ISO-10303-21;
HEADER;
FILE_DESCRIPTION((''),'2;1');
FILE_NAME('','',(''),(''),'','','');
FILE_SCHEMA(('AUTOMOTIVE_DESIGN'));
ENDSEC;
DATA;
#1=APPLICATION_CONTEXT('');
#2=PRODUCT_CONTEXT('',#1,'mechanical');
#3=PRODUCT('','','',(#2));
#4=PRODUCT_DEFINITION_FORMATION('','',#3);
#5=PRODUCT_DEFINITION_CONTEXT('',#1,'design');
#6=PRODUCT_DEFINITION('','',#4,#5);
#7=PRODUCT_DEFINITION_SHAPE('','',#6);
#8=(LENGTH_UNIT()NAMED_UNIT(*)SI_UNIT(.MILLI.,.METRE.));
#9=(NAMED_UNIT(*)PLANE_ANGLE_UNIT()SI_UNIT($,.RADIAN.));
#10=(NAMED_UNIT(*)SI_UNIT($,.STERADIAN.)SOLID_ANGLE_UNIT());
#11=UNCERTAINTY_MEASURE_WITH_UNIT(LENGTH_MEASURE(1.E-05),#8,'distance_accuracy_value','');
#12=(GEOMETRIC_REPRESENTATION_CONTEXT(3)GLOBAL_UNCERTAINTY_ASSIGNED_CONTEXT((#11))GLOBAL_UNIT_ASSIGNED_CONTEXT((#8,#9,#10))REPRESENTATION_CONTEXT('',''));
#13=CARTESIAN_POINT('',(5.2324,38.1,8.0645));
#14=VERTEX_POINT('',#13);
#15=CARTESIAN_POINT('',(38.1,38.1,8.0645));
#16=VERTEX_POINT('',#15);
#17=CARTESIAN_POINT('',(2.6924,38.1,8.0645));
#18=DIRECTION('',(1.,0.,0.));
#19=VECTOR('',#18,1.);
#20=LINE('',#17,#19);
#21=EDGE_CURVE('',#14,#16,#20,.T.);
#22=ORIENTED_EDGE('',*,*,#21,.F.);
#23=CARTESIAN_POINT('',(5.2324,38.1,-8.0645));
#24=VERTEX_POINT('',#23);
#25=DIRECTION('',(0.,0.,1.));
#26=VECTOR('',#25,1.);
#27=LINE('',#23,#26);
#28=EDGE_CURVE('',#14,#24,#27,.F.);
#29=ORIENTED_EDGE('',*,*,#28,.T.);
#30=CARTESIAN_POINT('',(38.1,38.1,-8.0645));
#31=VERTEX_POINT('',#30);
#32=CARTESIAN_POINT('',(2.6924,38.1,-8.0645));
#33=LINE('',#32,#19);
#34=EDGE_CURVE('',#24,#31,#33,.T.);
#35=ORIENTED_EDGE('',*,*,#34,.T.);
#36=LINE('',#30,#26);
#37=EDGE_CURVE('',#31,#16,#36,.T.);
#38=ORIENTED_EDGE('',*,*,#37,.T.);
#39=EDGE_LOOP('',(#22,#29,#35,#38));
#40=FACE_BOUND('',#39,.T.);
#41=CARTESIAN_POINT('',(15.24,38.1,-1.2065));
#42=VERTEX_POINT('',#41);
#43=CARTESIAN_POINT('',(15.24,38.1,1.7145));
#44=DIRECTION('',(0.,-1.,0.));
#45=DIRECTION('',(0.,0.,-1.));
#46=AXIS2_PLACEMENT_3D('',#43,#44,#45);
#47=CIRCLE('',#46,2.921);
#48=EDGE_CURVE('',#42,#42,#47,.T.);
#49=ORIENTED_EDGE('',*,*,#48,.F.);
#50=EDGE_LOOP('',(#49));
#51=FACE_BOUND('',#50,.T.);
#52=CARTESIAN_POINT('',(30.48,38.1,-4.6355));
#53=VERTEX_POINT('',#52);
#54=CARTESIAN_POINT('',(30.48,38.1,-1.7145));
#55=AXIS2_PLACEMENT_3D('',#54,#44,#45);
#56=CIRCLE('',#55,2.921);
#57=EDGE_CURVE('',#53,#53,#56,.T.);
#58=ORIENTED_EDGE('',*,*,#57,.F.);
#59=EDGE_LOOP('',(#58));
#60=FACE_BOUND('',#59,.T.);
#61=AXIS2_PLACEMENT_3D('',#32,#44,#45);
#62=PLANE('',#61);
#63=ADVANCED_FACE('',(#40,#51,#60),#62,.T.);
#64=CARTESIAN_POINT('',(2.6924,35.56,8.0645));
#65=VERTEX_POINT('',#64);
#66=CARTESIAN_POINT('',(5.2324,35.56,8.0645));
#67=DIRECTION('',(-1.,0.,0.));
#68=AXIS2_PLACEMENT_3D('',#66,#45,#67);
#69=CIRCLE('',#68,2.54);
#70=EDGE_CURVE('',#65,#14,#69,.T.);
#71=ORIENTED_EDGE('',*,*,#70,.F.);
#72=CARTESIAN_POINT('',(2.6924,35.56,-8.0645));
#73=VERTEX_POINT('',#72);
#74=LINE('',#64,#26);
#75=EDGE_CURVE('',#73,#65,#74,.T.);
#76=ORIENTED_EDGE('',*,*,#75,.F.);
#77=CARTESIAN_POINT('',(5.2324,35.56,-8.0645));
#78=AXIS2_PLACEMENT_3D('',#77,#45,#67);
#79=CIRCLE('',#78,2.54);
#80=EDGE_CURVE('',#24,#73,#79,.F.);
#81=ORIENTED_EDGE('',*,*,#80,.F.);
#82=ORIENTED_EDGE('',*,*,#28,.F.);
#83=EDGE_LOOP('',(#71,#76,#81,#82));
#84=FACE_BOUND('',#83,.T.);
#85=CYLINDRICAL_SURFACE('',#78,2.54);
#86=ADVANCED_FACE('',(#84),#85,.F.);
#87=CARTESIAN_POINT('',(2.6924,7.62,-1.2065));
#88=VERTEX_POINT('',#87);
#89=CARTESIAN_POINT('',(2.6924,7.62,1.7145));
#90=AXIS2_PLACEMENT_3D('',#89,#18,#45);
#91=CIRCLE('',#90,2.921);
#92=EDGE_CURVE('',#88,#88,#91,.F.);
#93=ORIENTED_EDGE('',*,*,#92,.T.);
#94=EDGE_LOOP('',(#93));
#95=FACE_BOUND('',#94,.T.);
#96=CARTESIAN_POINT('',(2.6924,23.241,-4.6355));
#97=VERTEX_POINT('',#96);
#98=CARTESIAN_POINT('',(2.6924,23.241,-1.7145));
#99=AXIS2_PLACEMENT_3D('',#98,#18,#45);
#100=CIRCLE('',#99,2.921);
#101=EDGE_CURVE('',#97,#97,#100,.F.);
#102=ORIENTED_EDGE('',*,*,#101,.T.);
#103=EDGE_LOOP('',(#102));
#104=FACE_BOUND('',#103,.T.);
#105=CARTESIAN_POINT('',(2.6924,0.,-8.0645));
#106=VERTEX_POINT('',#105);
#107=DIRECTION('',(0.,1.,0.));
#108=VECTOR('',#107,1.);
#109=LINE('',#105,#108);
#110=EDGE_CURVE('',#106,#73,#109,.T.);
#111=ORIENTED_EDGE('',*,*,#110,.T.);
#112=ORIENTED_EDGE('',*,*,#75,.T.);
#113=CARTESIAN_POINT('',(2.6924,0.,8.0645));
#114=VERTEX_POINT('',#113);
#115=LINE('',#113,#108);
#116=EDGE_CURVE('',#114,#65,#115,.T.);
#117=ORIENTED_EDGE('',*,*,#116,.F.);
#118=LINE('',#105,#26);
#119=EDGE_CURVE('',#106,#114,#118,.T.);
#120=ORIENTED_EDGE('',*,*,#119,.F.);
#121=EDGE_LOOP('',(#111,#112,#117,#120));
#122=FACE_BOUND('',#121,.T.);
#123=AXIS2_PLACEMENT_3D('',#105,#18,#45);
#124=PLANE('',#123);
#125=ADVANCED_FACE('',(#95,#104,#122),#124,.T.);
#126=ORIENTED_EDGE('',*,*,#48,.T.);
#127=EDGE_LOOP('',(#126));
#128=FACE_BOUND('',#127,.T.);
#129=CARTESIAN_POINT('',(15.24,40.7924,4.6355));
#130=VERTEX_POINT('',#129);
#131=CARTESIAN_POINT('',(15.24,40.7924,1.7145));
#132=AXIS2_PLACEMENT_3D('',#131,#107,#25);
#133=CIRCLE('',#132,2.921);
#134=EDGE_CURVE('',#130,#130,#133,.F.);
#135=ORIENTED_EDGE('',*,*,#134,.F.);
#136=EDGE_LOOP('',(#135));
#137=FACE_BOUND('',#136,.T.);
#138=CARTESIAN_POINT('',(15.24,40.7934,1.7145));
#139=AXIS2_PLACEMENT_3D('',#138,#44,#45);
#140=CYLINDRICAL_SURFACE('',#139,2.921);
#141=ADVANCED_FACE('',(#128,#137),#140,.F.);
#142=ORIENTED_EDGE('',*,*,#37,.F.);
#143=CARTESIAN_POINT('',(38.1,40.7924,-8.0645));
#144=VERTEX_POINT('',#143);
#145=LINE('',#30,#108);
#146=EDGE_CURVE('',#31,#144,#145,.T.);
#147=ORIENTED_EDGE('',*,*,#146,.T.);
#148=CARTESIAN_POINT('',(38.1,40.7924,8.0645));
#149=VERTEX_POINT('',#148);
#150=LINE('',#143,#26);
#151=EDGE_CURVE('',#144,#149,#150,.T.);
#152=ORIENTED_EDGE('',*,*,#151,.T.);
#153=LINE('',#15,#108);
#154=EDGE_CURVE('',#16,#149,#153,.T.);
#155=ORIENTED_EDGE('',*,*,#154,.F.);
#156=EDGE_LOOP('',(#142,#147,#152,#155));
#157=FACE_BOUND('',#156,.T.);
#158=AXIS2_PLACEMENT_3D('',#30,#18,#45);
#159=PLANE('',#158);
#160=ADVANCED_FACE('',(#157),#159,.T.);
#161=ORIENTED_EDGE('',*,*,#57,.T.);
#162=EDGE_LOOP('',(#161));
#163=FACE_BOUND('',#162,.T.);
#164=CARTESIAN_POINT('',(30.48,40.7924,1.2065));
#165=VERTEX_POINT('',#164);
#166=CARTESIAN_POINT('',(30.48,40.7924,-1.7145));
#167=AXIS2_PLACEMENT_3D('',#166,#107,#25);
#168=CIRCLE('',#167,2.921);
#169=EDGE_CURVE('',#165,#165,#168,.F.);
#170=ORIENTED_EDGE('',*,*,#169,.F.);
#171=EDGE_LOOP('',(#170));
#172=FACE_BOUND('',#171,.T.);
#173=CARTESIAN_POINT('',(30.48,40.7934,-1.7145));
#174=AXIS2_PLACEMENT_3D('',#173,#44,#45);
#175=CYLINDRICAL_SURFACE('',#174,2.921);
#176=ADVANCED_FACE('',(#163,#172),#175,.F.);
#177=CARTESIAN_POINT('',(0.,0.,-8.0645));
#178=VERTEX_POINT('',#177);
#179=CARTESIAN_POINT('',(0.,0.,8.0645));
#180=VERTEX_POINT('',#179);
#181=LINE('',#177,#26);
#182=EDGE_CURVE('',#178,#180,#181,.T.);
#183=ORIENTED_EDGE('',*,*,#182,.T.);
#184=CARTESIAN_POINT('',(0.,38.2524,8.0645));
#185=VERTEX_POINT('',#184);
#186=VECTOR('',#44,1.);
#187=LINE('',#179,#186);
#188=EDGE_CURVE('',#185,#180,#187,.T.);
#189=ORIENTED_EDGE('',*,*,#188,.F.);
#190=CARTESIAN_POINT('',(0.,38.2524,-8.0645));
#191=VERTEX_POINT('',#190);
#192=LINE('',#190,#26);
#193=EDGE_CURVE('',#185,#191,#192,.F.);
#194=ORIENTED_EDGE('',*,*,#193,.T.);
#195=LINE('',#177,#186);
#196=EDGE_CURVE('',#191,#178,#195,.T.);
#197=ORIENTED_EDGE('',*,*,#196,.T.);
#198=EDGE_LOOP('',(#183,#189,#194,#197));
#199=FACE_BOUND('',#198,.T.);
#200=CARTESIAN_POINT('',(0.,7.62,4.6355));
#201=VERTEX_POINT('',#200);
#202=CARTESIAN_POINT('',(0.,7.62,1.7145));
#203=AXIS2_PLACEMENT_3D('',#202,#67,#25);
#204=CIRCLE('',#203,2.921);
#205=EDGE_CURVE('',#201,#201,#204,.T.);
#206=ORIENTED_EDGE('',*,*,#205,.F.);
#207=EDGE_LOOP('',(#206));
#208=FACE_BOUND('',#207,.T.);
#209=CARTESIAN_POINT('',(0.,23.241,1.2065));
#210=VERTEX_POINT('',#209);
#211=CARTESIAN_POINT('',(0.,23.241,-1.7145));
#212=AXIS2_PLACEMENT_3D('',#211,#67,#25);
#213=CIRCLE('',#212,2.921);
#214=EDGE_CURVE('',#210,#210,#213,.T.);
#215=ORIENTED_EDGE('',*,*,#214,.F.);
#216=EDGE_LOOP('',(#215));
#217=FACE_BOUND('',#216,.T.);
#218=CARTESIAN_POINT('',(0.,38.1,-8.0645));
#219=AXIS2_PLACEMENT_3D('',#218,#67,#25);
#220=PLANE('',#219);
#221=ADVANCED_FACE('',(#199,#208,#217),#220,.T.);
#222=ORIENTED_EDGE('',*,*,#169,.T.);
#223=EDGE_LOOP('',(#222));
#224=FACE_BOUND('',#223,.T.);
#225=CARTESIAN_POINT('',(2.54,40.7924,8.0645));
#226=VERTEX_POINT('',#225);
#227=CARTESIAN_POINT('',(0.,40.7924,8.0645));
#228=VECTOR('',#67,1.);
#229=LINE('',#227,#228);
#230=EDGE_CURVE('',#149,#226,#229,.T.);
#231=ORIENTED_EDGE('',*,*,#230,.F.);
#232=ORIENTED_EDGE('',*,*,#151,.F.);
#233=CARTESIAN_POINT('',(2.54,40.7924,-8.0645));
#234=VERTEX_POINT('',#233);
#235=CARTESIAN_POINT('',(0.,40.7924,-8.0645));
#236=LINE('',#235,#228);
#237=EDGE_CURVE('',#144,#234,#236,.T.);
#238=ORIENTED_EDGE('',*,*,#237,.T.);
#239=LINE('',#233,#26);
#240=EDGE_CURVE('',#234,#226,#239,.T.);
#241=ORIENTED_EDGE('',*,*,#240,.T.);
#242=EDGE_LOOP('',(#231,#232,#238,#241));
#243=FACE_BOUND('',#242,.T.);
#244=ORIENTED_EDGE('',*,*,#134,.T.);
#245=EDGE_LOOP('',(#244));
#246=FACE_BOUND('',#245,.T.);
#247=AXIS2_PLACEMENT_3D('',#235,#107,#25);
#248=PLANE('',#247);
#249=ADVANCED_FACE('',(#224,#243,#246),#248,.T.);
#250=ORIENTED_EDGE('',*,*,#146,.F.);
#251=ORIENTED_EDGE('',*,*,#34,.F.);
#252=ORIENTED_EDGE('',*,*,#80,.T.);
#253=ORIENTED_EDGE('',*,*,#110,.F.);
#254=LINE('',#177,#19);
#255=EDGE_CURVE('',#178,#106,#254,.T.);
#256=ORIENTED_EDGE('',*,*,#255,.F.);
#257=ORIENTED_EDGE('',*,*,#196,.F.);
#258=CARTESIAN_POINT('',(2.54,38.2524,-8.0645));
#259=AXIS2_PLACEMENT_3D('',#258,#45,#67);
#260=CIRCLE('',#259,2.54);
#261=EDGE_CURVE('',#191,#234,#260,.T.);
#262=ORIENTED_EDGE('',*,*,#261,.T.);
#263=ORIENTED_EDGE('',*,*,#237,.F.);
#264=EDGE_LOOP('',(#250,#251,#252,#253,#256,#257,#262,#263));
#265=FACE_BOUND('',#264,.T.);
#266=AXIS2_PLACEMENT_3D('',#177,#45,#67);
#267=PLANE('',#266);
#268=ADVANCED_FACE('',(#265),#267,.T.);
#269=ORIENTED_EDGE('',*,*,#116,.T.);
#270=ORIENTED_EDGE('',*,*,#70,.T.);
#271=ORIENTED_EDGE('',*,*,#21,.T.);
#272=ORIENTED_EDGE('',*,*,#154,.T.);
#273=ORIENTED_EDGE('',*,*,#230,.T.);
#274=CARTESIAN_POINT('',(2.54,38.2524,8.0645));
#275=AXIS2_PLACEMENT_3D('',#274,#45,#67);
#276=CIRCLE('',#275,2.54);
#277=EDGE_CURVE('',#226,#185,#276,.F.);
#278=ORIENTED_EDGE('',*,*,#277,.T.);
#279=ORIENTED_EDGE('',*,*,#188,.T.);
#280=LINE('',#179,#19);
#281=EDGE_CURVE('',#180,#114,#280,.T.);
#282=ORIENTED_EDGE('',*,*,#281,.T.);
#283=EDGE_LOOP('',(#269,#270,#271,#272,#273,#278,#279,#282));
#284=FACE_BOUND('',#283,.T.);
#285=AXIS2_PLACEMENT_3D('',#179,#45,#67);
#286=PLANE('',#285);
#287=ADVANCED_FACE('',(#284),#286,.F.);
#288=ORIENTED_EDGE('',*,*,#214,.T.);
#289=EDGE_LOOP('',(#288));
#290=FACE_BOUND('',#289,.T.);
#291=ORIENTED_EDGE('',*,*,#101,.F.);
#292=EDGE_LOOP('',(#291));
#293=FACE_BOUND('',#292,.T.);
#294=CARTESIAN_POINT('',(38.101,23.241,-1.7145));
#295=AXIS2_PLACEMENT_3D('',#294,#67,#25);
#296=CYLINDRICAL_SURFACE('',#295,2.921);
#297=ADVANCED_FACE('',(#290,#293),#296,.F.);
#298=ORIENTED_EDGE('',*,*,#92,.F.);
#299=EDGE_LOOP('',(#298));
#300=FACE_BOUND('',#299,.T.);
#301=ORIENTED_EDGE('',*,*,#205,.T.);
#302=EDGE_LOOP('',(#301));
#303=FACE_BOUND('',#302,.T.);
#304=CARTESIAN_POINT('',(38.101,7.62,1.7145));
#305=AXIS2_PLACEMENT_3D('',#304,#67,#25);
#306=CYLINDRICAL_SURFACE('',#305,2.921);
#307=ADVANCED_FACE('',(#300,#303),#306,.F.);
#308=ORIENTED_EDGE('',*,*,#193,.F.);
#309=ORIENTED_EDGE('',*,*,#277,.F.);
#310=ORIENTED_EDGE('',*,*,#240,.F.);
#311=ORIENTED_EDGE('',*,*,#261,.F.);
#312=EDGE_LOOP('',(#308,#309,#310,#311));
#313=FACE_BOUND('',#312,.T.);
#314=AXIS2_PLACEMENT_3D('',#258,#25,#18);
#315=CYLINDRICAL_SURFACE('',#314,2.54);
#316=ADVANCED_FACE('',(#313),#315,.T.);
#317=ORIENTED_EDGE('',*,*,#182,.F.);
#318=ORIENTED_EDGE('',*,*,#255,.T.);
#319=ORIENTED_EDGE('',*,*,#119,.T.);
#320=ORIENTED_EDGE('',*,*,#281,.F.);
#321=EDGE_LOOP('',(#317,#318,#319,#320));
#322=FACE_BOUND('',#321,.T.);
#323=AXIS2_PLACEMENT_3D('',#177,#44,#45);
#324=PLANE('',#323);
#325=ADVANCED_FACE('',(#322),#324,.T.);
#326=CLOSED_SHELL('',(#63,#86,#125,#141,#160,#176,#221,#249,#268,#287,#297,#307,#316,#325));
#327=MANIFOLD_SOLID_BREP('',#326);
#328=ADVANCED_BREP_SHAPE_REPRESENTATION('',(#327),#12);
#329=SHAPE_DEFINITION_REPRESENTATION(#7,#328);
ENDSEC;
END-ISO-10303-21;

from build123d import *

# Parameters (mm, degrees)
BOSS_EXTRUDE1_DEPTH      = 8.0645
BOSS_EXTRUDE1_DEPTH_BACK = 8.0645
CUT_EXTRUDE1_REACH       = 58.397
SKETCH2_R                = 2.921
CUT_EXTRUDE2_REACH       = 56.482
SKETCH5_R                = 2.921
FILLET1_R                = 2.54


with BuildPart() as part:
    # Sketch1 → Boss-Extrude1 (new, two sides: drawn at the far end of the back side and taken through both)
    with BuildSketch(Plane.XY.offset(-BOSS_EXTRUDE1_DEPTH_BACK)):
        Polygon((0, 0), (2.6924, 0), (2.6924, 38.1), (38.1, 38.1), (38.1, 40.7924), (0, 40.7924), (0, 38.1), align=None)
    extrude(amount=BOSS_EXTRUDE1_DEPTH + BOSS_EXTRUDE1_DEPTH_BACK)

    # Sketch2 → Cut-Extrude1 (cut, up to next)
    with BuildSketch(Plane.ZY, mode=Mode.PRIVATE) as cut_extrude1_sk1:
        with Locations((1.7145, 7.62)):
            Circle(SKETCH2_R)
    cut_extrude1_tool1 = extrude(cut_extrude1_sk1.sketch, amount=-CUT_EXTRUDE1_REACH, mode=Mode.PRIVATE) & part.part
    # Sketch2 → Cut-Extrude1 (cut, up to next)
    with BuildSketch(Plane.ZY, mode=Mode.PRIVATE) as cut_extrude1_sk2:
        with Locations((-1.7145, 23.241)):
            Circle(SKETCH2_R)
    cut_extrude1_tool2 = extrude(cut_extrude1_sk2.sketch, amount=-CUT_EXTRUDE1_REACH, mode=Mode.PRIVATE) & part.part
    add(cut_extrude1_tool1.solids().sort_by_distance((0, 7.62, 1.7145))[0], mode=Mode.SUBTRACT)
    add(cut_extrude1_tool2.solids().sort_by_distance((0, 23.241, -1.7145))[0], mode=Mode.SUBTRACT)

    # Sketch5 → Cut-Extrude2 (cut, up to next)
    with BuildSketch(Plane.XZ.offset(-38.1), mode=Mode.PRIVATE) as cut_extrude2_sk1:
        with Locations((30.48, -1.7145)):
            Circle(SKETCH5_R)
    cut_extrude2_tool1 = extrude(cut_extrude2_sk1.sketch, amount=-CUT_EXTRUDE2_REACH, mode=Mode.PRIVATE) & part.part
    # Sketch5 → Cut-Extrude2 (cut, up to next)
    with BuildSketch(Plane.XZ.offset(-38.1), mode=Mode.PRIVATE) as cut_extrude2_sk2:
        with Locations((15.24, 1.7145)):
            Circle(SKETCH5_R)
    cut_extrude2_tool2 = extrude(cut_extrude2_sk2.sketch, amount=-CUT_EXTRUDE2_REACH, mode=Mode.PRIVATE) & part.part
    add(cut_extrude2_tool1.solids().sort_by_distance((30.48, 38.1, -1.7145))[0], mode=Mode.SUBTRACT)
    add(cut_extrude2_tool2.solids().sort_by_distance((15.24, 38.1, 1.7145))[0], mode=Mode.SUBTRACT)

    # Fillet1
    fillet1_edges = [part.edges().sort_by_distance(p)[0] for p in [
        (0, 40.7924, 0),
        (2.6924, 38.1, 0),
    ]]
    fillet(fillet1_edges, radius=FILLET1_R)


solid = part.part
